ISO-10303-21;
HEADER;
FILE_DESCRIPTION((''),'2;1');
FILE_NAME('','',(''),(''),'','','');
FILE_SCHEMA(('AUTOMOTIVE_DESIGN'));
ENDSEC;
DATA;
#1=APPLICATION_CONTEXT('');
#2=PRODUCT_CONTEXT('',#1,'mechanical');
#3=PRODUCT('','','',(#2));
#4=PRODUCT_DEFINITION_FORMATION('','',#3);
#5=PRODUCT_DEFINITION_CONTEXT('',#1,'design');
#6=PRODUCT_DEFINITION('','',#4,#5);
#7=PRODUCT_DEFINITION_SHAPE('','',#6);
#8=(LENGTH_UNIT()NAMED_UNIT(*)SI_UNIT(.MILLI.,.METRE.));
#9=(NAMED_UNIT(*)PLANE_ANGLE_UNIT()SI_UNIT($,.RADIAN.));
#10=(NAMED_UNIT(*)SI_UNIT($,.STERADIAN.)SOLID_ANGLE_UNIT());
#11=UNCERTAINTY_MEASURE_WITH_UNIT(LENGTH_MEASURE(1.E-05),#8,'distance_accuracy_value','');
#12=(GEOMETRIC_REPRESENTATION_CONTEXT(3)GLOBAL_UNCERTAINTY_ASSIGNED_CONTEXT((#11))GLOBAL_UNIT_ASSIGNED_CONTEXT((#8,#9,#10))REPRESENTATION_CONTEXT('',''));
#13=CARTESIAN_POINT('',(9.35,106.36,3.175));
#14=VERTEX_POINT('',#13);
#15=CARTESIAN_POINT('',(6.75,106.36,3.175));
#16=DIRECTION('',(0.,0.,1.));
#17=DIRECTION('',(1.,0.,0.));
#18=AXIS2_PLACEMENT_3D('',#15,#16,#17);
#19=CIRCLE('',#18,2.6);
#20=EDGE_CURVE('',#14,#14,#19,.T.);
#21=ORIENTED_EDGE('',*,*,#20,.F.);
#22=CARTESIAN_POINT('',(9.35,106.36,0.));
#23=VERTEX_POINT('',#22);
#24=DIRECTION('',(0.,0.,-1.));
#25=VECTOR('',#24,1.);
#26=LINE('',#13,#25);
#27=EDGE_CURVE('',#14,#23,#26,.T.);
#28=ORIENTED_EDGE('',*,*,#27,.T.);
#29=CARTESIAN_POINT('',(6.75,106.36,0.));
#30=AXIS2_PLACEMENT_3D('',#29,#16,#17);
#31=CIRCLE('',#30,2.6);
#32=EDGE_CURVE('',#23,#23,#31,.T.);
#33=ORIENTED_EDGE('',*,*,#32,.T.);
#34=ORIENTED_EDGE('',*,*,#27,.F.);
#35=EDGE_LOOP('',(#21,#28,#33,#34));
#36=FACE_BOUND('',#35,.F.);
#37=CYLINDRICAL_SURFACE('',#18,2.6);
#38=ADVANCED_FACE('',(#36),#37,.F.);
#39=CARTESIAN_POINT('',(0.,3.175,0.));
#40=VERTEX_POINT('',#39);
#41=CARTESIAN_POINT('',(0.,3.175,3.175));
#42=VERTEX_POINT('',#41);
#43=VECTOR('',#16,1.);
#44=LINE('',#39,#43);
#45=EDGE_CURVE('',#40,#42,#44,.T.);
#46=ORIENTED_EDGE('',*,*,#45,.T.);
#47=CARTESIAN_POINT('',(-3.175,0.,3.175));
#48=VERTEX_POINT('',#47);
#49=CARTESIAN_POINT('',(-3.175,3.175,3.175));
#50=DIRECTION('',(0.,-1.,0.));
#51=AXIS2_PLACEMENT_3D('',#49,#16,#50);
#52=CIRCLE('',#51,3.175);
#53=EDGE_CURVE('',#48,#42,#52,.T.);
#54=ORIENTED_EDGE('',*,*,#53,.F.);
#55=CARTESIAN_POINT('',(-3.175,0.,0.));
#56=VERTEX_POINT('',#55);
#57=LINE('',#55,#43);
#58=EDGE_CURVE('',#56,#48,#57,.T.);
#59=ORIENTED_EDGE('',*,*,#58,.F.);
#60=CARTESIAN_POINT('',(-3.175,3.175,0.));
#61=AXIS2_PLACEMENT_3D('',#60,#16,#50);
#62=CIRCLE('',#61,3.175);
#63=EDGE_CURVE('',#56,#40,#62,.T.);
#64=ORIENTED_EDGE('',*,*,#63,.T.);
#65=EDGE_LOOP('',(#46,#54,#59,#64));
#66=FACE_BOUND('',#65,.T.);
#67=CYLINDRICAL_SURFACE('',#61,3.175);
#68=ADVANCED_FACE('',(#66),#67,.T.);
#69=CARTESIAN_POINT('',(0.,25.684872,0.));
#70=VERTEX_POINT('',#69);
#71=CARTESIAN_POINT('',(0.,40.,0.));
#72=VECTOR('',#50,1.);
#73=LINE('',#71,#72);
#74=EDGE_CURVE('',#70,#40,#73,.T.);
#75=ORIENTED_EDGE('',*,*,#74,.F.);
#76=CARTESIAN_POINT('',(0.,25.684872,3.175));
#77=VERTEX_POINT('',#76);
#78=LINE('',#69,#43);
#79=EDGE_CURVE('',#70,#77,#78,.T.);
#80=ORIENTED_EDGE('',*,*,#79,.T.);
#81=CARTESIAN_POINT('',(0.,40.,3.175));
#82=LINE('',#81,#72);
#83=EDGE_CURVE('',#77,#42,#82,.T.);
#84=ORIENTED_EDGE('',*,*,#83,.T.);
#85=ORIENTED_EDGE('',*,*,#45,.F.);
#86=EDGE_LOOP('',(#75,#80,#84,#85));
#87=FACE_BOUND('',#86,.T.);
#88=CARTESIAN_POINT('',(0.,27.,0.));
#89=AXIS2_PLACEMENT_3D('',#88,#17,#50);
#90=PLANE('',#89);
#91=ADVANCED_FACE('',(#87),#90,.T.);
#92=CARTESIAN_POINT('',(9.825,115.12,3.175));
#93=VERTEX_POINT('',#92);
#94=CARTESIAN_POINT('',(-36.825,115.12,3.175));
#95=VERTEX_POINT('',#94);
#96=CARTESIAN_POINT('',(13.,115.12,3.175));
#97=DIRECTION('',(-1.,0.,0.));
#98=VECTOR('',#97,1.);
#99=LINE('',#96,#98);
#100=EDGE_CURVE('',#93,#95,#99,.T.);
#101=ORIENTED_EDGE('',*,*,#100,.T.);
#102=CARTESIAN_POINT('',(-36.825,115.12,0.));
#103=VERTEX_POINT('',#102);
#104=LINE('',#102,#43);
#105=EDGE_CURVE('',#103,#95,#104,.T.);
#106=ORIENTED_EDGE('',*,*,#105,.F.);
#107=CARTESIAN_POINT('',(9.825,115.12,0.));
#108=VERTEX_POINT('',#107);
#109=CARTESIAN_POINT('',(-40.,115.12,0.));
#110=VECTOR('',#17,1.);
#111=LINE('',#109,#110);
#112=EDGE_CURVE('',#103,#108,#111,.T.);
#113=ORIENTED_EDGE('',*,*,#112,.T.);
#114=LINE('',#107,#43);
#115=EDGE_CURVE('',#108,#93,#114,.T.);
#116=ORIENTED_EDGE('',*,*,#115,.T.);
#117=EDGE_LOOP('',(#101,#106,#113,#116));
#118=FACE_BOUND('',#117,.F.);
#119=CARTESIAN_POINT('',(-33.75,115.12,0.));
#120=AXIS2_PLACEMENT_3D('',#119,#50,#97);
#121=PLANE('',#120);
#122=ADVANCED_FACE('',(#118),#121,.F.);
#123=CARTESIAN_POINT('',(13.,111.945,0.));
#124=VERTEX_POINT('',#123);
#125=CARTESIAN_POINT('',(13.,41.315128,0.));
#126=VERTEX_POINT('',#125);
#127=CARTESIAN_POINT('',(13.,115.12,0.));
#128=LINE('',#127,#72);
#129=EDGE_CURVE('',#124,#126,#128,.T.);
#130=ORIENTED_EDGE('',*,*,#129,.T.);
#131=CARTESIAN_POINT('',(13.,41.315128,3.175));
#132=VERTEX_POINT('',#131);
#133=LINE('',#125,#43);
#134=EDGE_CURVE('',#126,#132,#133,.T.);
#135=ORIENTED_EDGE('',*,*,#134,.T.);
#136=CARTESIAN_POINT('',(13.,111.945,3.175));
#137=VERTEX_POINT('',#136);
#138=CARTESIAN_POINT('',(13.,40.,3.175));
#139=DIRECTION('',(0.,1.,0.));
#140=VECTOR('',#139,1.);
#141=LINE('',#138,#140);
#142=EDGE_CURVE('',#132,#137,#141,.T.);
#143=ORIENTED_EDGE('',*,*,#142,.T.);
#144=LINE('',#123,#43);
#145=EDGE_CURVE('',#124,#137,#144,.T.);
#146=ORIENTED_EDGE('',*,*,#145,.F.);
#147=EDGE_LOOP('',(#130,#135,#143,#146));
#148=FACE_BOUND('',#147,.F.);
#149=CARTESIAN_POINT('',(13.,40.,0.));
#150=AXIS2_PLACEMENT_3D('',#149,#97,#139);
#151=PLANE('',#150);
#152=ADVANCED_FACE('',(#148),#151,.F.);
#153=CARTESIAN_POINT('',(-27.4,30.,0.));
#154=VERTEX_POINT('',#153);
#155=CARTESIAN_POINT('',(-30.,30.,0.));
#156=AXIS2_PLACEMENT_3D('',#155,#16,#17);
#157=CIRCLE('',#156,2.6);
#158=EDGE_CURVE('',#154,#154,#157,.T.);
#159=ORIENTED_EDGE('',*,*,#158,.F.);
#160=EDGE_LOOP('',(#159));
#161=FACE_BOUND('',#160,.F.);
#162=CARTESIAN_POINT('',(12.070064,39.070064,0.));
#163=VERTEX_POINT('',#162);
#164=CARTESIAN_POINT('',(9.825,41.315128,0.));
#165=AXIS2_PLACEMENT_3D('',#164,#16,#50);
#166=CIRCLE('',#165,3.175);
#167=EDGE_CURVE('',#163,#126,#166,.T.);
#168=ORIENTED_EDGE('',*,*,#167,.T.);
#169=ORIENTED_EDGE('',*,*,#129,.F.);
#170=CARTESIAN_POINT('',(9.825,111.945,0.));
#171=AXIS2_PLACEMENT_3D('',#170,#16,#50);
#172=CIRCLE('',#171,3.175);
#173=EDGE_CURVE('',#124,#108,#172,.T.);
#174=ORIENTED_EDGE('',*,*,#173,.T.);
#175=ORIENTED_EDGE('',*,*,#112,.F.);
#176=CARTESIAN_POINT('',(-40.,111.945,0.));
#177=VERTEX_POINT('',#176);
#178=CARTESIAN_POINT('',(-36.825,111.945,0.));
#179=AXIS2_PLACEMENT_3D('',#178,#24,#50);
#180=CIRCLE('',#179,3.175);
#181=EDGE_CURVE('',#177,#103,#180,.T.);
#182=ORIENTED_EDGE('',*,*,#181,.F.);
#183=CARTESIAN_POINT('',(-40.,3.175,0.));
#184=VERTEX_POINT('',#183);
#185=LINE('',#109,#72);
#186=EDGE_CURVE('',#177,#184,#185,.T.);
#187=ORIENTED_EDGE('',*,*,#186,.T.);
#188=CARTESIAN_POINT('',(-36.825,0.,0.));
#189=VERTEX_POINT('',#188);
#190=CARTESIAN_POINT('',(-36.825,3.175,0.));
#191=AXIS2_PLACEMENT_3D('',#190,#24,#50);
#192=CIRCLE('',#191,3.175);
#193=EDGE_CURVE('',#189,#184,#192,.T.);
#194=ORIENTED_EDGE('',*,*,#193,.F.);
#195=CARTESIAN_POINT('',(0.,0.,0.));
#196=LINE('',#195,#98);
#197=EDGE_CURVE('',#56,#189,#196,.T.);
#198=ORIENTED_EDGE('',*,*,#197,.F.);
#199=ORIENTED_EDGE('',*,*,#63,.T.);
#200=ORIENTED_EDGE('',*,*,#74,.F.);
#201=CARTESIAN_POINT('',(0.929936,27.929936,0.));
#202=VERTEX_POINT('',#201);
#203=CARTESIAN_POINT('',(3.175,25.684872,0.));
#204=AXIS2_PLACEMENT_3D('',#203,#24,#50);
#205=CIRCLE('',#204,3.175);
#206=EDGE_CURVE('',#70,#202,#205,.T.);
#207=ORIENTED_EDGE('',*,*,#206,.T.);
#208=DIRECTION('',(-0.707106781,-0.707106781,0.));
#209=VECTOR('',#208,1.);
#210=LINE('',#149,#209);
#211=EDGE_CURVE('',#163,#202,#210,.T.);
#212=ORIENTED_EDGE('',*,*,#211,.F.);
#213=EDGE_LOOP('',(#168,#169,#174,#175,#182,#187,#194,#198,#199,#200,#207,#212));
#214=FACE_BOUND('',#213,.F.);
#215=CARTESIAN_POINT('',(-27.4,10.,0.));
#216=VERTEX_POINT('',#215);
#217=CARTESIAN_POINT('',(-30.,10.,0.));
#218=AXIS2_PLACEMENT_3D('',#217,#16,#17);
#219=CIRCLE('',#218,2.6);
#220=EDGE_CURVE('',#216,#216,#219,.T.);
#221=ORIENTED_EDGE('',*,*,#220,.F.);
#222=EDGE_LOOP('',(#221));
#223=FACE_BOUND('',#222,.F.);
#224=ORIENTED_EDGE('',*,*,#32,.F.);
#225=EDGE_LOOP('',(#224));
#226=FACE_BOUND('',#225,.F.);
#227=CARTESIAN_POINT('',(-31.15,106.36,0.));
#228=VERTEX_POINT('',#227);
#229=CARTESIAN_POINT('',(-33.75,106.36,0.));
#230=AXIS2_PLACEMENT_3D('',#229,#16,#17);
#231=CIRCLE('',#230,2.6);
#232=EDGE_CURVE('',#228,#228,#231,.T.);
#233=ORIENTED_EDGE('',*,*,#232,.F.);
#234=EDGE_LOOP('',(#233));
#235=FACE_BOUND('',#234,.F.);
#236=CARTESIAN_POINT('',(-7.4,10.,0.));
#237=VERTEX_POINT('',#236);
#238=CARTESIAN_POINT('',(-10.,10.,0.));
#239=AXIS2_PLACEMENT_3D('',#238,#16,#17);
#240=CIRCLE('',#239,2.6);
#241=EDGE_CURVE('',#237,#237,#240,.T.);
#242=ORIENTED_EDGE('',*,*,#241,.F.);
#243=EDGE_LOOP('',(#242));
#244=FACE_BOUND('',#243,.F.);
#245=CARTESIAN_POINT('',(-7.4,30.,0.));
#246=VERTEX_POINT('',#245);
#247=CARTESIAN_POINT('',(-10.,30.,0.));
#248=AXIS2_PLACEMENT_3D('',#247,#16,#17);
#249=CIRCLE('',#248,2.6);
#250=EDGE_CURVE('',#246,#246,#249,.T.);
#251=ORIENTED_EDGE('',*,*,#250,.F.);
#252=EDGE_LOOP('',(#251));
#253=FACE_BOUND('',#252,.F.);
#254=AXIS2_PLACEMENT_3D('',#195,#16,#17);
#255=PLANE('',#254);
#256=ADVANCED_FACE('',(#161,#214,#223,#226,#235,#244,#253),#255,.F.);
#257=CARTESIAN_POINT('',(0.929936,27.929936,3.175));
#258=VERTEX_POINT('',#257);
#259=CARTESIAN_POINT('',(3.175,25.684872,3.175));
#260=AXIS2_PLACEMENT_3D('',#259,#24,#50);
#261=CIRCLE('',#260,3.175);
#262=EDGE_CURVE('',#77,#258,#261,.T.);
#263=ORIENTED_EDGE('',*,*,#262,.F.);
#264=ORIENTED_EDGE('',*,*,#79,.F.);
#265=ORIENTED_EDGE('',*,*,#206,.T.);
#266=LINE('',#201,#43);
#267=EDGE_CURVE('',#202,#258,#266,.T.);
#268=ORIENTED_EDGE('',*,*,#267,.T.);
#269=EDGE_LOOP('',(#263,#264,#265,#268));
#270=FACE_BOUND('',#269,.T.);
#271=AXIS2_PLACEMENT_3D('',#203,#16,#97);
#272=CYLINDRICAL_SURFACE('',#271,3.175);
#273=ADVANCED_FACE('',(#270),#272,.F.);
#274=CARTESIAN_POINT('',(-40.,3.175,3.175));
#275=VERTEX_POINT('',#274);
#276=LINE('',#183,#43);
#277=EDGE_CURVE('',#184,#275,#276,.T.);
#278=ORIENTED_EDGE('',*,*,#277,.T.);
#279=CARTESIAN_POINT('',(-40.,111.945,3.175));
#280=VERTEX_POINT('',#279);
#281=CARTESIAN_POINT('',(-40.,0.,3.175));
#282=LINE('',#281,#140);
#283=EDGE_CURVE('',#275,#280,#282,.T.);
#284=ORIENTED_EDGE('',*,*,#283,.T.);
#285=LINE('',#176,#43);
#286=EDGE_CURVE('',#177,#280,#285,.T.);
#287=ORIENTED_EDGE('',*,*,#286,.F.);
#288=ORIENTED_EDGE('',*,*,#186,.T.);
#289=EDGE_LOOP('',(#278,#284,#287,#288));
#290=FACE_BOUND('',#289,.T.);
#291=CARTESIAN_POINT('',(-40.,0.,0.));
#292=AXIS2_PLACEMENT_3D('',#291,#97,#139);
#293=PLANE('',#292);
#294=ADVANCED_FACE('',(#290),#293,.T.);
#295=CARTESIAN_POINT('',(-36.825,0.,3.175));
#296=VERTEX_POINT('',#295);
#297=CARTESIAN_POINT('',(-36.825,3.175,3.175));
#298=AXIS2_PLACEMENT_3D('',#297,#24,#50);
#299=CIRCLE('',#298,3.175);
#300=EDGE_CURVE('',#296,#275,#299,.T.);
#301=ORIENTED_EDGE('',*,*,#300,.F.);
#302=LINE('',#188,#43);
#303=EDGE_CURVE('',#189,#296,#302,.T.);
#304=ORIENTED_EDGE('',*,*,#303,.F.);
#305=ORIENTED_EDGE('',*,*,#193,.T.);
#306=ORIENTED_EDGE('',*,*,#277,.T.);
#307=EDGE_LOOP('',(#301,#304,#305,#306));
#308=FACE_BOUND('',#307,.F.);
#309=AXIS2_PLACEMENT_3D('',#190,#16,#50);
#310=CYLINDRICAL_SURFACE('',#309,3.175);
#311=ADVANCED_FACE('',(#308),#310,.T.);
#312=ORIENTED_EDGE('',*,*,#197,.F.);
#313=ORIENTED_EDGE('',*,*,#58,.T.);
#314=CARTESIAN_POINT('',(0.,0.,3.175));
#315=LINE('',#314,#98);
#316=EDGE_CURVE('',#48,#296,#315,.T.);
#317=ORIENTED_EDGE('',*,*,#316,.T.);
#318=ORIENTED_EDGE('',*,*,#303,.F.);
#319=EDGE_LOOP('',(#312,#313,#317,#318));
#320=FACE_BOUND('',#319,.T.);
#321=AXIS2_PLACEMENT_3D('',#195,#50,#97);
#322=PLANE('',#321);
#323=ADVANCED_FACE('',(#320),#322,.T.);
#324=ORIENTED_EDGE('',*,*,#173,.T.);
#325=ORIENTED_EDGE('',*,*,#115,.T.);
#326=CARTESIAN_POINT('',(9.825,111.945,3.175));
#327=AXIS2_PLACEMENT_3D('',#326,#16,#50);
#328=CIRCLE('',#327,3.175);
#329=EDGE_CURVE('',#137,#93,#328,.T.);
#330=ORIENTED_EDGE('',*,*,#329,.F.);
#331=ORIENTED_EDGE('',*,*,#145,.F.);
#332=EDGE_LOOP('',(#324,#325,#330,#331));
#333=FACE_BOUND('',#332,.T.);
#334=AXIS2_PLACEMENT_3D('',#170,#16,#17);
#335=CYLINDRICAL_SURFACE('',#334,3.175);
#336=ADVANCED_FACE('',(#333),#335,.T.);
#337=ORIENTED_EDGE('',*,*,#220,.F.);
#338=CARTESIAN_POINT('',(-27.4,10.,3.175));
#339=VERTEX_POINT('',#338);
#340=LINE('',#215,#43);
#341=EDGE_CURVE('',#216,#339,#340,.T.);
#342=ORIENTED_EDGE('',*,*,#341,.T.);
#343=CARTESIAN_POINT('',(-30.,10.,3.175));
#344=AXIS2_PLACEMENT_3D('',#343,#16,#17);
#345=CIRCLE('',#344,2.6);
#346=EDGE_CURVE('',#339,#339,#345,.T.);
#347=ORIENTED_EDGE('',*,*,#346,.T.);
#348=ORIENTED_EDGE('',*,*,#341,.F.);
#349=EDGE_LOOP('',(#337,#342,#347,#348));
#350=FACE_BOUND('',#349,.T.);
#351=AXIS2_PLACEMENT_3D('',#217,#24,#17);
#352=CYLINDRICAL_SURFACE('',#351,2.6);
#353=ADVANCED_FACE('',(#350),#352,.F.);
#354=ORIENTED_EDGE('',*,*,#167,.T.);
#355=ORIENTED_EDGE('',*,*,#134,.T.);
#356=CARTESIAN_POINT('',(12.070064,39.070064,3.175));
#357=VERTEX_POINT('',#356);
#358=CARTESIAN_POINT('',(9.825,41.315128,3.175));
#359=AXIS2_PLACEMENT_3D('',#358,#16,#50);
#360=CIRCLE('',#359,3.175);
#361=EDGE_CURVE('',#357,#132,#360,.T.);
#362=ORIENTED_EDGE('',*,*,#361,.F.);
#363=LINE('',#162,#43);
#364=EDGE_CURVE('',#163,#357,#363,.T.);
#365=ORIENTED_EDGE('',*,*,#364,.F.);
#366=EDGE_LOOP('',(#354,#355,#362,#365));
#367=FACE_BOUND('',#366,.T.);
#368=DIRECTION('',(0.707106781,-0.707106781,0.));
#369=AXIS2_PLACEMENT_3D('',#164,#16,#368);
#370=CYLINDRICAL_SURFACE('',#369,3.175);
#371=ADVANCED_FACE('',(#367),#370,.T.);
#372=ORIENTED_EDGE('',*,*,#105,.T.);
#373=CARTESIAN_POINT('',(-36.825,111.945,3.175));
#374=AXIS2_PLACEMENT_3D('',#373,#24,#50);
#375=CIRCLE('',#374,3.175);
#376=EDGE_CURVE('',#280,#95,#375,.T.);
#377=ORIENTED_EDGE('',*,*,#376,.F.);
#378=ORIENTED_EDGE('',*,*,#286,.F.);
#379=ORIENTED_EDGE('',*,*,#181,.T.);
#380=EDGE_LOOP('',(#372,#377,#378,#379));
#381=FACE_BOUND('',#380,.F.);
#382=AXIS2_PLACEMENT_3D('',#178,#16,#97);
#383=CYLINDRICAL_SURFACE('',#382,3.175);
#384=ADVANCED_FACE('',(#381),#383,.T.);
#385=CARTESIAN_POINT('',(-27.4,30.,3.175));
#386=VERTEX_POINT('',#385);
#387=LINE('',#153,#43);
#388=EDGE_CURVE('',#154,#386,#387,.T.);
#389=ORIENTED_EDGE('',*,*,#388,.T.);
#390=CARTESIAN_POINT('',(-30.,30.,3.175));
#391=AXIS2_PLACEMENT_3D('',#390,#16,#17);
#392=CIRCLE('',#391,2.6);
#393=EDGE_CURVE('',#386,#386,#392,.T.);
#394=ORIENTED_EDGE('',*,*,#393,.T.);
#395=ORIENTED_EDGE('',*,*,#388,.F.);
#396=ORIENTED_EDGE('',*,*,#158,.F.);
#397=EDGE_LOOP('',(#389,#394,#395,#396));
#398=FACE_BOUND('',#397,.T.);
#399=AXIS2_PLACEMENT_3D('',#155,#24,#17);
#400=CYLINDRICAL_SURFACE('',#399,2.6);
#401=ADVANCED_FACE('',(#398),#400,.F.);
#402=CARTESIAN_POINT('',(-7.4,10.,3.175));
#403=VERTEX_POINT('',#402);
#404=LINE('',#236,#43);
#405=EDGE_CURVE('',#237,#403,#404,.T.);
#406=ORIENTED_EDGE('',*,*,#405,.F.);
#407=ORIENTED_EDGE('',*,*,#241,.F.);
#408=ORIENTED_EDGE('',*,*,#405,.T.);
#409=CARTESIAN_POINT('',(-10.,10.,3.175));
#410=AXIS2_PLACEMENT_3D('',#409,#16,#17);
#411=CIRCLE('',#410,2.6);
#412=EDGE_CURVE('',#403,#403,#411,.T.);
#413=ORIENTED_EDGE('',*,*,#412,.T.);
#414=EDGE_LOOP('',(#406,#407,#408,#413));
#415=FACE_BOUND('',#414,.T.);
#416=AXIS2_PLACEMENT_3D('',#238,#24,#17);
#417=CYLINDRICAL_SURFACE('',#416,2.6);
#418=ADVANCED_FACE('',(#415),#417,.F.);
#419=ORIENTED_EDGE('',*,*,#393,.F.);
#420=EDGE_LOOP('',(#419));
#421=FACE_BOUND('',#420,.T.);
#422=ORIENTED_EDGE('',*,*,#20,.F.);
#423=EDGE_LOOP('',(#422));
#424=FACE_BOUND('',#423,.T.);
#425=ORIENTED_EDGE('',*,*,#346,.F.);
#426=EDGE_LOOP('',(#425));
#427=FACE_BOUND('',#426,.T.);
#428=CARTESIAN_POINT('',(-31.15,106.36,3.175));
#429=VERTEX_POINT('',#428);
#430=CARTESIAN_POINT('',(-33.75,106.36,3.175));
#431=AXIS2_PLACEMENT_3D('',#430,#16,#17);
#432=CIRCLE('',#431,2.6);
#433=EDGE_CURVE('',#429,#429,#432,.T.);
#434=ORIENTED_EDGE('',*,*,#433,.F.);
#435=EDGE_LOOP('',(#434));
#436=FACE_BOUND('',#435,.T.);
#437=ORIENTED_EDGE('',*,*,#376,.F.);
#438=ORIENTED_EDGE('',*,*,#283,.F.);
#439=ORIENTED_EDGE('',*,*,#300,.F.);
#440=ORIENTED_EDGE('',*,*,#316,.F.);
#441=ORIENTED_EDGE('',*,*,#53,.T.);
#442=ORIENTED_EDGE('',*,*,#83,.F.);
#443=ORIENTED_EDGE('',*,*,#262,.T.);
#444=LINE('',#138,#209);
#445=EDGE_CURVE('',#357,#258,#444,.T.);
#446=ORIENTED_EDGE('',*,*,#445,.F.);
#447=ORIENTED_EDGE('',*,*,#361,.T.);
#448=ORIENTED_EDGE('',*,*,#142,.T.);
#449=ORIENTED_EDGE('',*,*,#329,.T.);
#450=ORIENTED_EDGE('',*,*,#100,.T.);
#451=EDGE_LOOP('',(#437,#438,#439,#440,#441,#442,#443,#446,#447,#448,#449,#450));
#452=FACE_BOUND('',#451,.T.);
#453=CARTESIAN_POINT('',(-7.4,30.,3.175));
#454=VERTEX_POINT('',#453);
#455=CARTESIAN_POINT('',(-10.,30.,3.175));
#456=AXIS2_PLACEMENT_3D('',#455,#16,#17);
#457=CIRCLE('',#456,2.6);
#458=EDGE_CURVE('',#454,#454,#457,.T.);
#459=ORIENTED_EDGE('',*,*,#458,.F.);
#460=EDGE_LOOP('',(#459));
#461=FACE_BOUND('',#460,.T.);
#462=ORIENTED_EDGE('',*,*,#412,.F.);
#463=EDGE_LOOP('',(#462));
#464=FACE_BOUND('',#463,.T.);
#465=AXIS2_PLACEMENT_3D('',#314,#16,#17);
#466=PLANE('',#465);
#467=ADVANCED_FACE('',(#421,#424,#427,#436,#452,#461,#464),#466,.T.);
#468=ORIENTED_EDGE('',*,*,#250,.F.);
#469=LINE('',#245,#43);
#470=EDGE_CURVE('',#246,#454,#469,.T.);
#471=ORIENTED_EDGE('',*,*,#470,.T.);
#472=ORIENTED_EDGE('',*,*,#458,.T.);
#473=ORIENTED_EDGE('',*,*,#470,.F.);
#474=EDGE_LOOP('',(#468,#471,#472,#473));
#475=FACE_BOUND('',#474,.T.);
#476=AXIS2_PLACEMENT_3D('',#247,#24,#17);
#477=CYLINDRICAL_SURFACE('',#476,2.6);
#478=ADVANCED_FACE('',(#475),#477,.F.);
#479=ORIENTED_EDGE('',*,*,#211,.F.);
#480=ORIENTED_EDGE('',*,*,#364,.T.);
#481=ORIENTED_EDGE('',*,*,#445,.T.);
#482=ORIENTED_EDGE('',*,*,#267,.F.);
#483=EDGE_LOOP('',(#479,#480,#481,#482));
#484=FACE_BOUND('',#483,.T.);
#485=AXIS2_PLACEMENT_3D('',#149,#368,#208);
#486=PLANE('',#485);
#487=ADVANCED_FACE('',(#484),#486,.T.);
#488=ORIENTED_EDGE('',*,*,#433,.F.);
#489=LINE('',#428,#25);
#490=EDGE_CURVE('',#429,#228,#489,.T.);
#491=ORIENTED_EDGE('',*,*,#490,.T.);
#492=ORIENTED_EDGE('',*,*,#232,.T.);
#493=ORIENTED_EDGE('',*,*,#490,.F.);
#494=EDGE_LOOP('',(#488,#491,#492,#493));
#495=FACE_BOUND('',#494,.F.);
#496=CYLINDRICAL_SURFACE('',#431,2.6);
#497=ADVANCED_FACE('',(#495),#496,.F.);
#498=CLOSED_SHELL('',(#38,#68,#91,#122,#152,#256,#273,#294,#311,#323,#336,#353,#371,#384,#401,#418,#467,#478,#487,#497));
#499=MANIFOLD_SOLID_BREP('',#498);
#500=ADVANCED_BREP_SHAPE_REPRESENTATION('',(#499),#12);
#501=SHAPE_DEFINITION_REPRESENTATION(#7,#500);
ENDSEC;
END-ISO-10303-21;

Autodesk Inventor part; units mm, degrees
ref_plane "YZ Plane" through (0, 0, 0) normal (1, 0, 0) x (0, 1, 0)
ref_plane "XZ Plane" through (0, 0, 0) normal (0, 1, 0) x (-1, 0, 0)
ref_plane "XY Plane" through (0, 0, 0) normal (0, 0, 1) x (1, 0, 0)
sketch "Sketch1" plane through (0, 0, 0) normal (0, 0, 1) x (1, 0, 0)
  line L0 (0, 0) -> (-40, 0)
  line L1 (-40, 0) -> (-40, 40)
  line L2 (-40, 40) -> (0, 40)
  line L3 (0, 40) -> (0, 0)
  line L4 (-30, 30) -> (-10, 30) construction
  line L5 (-10, 30) -> (-10, 10) construction
  line L6 (-10, 10) -> (-30, 10) construction
  line L7 (-30, 10) -> (-30, 30) construction
  line L8 (-30, 30) -> (-40, 30) construction
  line L9 (-10, 10) -> (0, 10) construction
  circle A0 centre (-30, 30) radius 2.6
  circle A1 centre (-10, 30) radius 2.6
  circle A2 centre (-10, 10) radius 2.6
  circle A3 centre (-30, 10) radius 2.6
  line L10 (-40, 40) -> (13, 40)
  line L11 (13, 40) -> (13, 102.4)
  line L12 (13, 102.4) -> (-40, 102.4)
  line L13 (-40, 102.4) -> (-40, 40)
  line L14 (13, 40) -> (0, 27)
  line L15 (-40, 102.4) -> (13, 102.4)
  line L16 (13, 102.4) -> (13, 122.4)
  line L17 (-40, 122.4) -> (-40, 102.4)
  line L18 (6.75, 122.4) -> (6.75, 115.12)
  line L19 (6.75, 115.12) -> (-33.75, 115.12)
  line L20 (-33.75, 115.12) -> (-33.75, 122.4)
  line L21 (-33.75, 115.12) -> (-40, 115.12)
  line L22 (6.75, 115.12) -> (13, 115.12)
  line L23 (-40, 122.4) -> (-33.75, 122.4)
  line L24 (13, 122.4) -> (6.75, 122.4)
  line L25 (-13.5, 115.12) -> (-13.5, 113.62) construction
  arc A4 (-18.2697, 115.12) -> (-8.7303, 115.12) centre (-13.5, 113.62) ccw
  dimension "d0" = 40
  dimension "d1" = 40
  dimension "d2" = 5.2
  dimension "d3" = 5.2
  dimension "d4" = 5.2
  dimension "d5" = 5.2
  dimension "d6" = 20
  dimension "d7" = 20
  dimension "d8" = 10
  dimension "d9" = 62.4
  dimension "d10" = 53
  dimension "d11" = 45
  dimension "d12" = 20
  dimension "d13" = 40.5
  dimension "d14" = 7.28
  dimension "d15" = 1.5
  dimension "d16" = 10
  dimension "d17" = 20
extrude "Extrusion1" add sketch "Sketch1" along normal blind 3.175 contours L0 L1 L2 L3 | L3 L10 L14 | L13 L12 L11 L10 L2 | L17 L21 L19 A4 L22 L16 L12 | L19 A4
fillet "Fillet1" radius 3.175 6 edges at (0, 0, 1.5875) (-40, 0, 1.5875) (0, 27, 1.5875) (13, 40, 1.5875) (-40, 115.12, 1.5875) (13, 115.12, 1.5875)
sketch "Sketch2" plane through (0, 0, 3.175) normal (0, 0, 1) x (1, 0, 0)
  line L0 (13, 41.3151) -> (13, 111.945) construction
  line L1 (-40, 118.604) -> (13, 118.604) construction
  line L2 (13, 118.604) -> (13, 98.604) construction
  line L3 (13, 98.604) -> (-40, 98.604) construction
  line L4 (-40, 98.604) -> (-40, 118.604) construction
  circle A0 centre (-33.75, 106.36) radius 2.6
  circle A1 centre (6.75, 106.36) radius 2.6
  line L5 (9.825, 115.12) -> (-36.825, 115.12) construction
  line L6 (-33.75, 106.36) -> (-33.75, 115.12) construction
  line L7 (9.825, 115.12) -> (-36.825, 115.12) construction
  line L8 (6.75, 106.36) -> (6.75, 115.12) construction
  point P0 (0, 0)
  point P1 (13, 121.9)
  point P2 (-18.2697, 115.12)
  point P3 (-8.7303, 115.12)
  point P4 (13, 115.12)
  point P5 (-40, 115.12)
  dimension "d22" = 20
  dimension "d23" = 5.2
  dimension "d24" = 5.2
  dimension "d25" = 8.76
  dimension "d26" = 8.76
  dimension "d29" = 3.484
extrude "Extrusion2" cut sketch "Sketch2" against normal up to next
equation "\"d3\" = d2"
equation "\"d4\" = d2"
equation "\"d5\" = d2"
equation "\"d24\" = d23"
equation "\"d26\" = d25"
properties part number "X Axis Statonary NON ADJUSTABLE Composite Belt Holder"
